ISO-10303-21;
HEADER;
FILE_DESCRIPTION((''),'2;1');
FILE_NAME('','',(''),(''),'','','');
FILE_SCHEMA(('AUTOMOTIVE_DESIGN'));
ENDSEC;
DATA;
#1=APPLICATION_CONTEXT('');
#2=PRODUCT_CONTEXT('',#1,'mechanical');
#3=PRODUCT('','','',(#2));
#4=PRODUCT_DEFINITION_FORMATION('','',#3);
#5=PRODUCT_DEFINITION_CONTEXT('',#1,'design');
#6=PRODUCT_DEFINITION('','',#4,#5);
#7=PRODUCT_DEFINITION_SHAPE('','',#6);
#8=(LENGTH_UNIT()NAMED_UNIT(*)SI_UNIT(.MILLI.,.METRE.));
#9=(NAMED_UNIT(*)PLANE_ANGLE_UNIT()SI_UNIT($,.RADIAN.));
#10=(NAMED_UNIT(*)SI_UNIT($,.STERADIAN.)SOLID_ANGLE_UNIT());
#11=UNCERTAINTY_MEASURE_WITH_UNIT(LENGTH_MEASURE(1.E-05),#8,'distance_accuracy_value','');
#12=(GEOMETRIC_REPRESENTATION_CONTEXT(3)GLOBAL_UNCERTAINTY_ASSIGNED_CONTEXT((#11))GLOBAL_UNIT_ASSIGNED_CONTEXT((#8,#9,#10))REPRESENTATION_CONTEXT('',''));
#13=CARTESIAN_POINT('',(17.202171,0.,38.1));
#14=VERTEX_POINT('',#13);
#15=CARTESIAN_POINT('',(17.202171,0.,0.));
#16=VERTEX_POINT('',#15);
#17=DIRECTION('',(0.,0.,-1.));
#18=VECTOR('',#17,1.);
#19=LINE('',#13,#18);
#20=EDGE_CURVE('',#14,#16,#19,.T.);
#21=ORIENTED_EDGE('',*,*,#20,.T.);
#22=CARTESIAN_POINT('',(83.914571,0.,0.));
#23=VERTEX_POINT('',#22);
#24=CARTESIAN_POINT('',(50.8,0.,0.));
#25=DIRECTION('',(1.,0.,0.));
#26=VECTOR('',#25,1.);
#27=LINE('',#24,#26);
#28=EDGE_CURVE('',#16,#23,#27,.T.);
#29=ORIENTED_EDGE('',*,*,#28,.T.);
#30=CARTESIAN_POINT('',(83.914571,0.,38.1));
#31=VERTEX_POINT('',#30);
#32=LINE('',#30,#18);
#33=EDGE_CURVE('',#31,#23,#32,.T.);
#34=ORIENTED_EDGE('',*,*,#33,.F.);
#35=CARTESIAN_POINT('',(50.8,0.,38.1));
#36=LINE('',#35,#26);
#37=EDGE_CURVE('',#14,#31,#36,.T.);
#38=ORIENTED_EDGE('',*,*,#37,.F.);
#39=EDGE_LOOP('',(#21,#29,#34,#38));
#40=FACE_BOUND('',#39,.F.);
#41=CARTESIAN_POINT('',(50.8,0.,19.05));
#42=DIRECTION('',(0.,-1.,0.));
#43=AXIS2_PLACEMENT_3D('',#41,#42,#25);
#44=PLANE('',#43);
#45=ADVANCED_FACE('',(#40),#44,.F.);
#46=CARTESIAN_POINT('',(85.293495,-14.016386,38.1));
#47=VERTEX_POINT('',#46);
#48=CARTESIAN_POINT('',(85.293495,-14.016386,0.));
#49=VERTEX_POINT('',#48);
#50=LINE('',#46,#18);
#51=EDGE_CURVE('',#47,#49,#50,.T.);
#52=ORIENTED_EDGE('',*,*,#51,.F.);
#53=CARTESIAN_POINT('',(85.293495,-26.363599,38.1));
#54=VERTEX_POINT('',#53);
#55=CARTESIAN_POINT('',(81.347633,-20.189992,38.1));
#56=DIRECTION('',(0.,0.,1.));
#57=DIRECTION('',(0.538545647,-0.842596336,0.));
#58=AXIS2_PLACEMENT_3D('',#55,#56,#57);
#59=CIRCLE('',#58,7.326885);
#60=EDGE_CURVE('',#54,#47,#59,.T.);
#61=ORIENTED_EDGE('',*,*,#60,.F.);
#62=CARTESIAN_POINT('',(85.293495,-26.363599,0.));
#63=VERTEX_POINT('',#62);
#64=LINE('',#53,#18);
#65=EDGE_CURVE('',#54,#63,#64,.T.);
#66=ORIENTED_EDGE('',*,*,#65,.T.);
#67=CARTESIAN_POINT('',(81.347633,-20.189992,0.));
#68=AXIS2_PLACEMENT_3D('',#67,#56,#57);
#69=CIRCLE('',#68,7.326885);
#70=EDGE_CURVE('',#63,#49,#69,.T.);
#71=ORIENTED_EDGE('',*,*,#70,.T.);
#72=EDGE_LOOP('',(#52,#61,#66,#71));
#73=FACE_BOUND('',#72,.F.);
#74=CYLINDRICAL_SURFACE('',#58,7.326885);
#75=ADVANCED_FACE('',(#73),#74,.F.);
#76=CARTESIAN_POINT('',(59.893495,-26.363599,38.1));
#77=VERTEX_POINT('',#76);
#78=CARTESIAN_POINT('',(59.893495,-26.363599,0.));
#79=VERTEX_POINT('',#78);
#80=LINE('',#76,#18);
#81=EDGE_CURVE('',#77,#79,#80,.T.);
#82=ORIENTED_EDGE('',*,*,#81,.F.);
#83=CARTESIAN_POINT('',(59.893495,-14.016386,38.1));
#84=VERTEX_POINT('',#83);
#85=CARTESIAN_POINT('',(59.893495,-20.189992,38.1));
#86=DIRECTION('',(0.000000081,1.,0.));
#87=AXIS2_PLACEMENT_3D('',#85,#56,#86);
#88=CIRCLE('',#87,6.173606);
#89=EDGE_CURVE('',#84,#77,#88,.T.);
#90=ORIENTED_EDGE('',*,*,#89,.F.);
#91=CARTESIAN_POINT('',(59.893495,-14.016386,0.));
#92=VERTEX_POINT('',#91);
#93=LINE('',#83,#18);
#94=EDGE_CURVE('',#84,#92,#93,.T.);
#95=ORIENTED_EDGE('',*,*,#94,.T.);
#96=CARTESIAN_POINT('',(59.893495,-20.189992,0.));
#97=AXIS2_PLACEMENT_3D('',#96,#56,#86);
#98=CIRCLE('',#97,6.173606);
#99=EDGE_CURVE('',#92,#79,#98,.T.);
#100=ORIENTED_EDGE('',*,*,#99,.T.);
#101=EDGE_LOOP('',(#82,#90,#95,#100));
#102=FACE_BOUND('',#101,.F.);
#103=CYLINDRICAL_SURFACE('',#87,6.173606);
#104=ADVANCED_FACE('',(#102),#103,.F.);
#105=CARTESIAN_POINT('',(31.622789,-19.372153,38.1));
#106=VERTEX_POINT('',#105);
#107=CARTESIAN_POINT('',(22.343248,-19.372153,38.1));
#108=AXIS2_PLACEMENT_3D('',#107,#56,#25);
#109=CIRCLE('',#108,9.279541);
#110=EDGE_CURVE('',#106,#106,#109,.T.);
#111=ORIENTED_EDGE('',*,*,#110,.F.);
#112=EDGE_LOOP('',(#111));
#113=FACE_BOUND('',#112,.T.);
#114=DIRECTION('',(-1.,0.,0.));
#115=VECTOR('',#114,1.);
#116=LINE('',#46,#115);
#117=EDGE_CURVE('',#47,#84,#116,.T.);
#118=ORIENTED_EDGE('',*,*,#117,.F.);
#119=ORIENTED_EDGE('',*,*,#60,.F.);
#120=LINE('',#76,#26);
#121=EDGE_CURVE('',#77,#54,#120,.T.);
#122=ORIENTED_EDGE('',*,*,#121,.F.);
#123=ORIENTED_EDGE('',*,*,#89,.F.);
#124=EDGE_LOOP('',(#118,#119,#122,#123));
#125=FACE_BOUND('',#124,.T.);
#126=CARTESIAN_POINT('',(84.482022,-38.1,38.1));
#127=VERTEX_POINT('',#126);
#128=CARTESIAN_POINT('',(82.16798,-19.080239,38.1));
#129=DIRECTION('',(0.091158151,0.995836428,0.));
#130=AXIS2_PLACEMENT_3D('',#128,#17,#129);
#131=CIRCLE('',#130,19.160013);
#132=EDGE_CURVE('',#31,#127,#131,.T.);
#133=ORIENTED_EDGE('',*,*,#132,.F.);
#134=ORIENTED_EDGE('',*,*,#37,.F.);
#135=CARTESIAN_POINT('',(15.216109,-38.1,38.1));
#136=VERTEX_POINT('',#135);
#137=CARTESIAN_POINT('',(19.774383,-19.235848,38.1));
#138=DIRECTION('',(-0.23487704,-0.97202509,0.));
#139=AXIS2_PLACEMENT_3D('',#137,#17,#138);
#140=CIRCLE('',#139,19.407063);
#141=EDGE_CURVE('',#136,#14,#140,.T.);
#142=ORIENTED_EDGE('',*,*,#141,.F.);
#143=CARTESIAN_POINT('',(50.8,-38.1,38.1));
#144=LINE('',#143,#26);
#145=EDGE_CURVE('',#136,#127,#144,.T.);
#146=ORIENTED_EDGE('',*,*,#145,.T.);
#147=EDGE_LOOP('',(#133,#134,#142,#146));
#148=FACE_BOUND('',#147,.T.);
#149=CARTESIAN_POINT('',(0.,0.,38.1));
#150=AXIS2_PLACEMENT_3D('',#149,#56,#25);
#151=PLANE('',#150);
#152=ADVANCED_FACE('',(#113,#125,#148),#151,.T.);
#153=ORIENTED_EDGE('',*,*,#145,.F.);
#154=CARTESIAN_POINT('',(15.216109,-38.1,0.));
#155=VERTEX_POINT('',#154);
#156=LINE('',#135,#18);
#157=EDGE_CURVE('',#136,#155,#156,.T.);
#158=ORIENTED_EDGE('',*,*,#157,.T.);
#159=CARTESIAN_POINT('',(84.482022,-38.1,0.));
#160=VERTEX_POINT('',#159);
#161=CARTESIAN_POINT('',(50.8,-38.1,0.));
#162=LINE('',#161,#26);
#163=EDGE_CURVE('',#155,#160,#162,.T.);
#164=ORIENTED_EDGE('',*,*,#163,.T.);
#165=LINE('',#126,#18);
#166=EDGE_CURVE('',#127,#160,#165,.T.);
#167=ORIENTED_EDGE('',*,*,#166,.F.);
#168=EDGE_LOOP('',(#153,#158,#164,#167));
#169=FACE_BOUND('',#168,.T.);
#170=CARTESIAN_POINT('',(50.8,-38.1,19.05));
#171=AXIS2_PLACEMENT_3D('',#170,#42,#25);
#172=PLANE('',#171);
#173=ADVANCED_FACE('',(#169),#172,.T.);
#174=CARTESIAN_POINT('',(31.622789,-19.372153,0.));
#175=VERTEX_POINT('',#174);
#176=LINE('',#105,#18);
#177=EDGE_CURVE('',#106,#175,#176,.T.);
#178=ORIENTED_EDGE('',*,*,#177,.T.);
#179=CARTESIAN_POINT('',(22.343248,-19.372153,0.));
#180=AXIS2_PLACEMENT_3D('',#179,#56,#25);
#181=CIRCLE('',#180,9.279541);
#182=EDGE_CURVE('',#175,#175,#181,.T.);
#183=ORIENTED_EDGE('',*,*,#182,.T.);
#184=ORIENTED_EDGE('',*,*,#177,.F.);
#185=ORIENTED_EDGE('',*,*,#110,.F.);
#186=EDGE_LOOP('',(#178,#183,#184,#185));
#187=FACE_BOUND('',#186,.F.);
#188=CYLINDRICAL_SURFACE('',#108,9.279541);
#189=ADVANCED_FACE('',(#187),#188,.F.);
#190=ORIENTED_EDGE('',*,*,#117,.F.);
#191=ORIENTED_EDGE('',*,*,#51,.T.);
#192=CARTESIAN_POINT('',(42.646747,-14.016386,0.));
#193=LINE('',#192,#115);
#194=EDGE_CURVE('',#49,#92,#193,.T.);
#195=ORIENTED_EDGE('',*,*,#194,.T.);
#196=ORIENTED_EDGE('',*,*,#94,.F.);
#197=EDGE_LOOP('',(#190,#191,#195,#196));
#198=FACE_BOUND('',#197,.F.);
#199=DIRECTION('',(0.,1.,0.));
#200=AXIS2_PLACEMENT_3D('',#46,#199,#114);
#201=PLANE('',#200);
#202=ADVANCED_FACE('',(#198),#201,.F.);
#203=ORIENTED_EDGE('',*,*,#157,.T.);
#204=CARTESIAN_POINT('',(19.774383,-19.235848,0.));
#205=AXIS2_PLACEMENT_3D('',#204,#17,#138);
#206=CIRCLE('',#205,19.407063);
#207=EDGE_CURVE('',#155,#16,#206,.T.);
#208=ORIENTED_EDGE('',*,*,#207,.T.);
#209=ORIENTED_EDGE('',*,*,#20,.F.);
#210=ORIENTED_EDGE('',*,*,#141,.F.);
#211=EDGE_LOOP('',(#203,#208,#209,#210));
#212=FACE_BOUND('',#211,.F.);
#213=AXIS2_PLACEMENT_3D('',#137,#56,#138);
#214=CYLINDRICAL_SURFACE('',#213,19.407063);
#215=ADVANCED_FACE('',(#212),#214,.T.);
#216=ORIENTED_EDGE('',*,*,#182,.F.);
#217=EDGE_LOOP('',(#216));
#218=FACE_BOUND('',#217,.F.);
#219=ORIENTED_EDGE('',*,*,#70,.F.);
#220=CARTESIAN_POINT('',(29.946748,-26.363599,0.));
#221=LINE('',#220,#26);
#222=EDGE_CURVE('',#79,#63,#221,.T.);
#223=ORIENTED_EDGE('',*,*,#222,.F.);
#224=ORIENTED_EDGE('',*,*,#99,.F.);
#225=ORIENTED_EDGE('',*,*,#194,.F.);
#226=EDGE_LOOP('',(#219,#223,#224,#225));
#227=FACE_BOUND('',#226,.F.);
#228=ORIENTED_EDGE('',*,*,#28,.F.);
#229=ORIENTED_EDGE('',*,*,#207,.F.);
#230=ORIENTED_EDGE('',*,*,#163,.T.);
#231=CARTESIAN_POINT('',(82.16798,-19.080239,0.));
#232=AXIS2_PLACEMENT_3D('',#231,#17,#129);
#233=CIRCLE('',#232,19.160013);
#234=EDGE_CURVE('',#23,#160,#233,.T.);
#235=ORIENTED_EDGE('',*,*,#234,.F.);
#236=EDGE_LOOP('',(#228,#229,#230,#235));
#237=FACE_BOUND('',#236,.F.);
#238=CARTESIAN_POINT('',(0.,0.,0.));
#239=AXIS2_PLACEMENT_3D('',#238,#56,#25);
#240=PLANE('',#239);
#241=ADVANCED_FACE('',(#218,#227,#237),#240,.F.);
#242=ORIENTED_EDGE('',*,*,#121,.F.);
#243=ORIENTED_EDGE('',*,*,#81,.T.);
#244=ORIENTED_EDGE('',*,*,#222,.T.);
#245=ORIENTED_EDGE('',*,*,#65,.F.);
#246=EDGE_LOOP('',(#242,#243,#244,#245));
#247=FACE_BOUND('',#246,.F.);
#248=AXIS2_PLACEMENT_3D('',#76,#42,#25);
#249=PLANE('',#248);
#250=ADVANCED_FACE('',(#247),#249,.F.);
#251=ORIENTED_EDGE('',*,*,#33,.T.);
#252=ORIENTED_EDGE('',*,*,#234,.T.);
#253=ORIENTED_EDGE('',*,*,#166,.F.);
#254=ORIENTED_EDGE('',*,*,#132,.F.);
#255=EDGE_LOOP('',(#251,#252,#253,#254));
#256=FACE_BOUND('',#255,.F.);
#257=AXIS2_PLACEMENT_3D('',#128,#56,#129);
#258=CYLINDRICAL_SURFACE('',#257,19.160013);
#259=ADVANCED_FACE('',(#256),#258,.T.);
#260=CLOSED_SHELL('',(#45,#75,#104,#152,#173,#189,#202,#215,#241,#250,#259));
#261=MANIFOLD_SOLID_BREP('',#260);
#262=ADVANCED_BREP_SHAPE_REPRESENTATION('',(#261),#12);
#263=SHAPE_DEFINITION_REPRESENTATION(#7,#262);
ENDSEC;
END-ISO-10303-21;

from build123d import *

# Parameters (mm, degrees)
F0_W     = 101.6
F0_H     = 38.1
F1_DEPTH = 38.1
F3_DEPTH = 38.1
F4_R     = 9.279541
F5_DEPTH = 38.1
F7_DEPTH = 101.6


with BuildPart() as f1:
    # F0 (on Front) → F1 (new body)
    with BuildSketch(Plane.XZ):
        with Locations((50.8, 19.05)):
            Rectangle(F0_W, F0_H)
    extrude(amount=F1_DEPTH)

    # F2 (on face) → F3 (cut)
    with BuildSketch(Plane.XY.offset(38.1)):
        with BuildLine():
            ThreePointArc((83.914571, 0), (101.325868, -18.794907), (84.482022, -38.1))
            Line((84.482022, -38.1), (101.6, -38.1))
            Line((101.6, -38.1), (101.6, 0))
            Line((101.6, 0), (83.914571, 0))
        make_face()
        with BuildLine():
            Line((0, -38.1), (15.216109, -38.1))
            ThreePointArc((15.216109, -38.1), (0.393633, -18.225575), (17.202171, 0))
            Line((17.202171, 0), (0, 0))
            Line((0, 0), (0, -38.1))
        make_face()
    extrude(amount=-F3_DEPTH, mode=Mode.SUBTRACT)

    # F4 (on face) → F5 (cut)
    with BuildSketch(Plane.XY.offset(38.1)):
        with Locations((22.343248, -19.372153)):
            Circle(F4_R)
    extrude(amount=-F5_DEPTH, mode=Mode.SUBTRACT)

    # F6 (on face) → F7 (cut)
    with BuildSketch(Plane.XY.offset(38.1)):
        with BuildLine():
            Line((85.293495, -14.016386), (59.893495, -14.016386))
            ThreePointArc((59.893495, -14.016386), (53.719888, -20.189993), (59.893495, -26.363599))
            Line((59.893495, -26.363599), (85.293495, -26.363599))
            ThreePointArc((85.293495, -26.363599), (88.674518, -20.189993), (85.293495, -14.016386))
        make_face()
    extrude(amount=-F7_DEPTH, mode=Mode.SUBTRACT)


solid = f1.part
